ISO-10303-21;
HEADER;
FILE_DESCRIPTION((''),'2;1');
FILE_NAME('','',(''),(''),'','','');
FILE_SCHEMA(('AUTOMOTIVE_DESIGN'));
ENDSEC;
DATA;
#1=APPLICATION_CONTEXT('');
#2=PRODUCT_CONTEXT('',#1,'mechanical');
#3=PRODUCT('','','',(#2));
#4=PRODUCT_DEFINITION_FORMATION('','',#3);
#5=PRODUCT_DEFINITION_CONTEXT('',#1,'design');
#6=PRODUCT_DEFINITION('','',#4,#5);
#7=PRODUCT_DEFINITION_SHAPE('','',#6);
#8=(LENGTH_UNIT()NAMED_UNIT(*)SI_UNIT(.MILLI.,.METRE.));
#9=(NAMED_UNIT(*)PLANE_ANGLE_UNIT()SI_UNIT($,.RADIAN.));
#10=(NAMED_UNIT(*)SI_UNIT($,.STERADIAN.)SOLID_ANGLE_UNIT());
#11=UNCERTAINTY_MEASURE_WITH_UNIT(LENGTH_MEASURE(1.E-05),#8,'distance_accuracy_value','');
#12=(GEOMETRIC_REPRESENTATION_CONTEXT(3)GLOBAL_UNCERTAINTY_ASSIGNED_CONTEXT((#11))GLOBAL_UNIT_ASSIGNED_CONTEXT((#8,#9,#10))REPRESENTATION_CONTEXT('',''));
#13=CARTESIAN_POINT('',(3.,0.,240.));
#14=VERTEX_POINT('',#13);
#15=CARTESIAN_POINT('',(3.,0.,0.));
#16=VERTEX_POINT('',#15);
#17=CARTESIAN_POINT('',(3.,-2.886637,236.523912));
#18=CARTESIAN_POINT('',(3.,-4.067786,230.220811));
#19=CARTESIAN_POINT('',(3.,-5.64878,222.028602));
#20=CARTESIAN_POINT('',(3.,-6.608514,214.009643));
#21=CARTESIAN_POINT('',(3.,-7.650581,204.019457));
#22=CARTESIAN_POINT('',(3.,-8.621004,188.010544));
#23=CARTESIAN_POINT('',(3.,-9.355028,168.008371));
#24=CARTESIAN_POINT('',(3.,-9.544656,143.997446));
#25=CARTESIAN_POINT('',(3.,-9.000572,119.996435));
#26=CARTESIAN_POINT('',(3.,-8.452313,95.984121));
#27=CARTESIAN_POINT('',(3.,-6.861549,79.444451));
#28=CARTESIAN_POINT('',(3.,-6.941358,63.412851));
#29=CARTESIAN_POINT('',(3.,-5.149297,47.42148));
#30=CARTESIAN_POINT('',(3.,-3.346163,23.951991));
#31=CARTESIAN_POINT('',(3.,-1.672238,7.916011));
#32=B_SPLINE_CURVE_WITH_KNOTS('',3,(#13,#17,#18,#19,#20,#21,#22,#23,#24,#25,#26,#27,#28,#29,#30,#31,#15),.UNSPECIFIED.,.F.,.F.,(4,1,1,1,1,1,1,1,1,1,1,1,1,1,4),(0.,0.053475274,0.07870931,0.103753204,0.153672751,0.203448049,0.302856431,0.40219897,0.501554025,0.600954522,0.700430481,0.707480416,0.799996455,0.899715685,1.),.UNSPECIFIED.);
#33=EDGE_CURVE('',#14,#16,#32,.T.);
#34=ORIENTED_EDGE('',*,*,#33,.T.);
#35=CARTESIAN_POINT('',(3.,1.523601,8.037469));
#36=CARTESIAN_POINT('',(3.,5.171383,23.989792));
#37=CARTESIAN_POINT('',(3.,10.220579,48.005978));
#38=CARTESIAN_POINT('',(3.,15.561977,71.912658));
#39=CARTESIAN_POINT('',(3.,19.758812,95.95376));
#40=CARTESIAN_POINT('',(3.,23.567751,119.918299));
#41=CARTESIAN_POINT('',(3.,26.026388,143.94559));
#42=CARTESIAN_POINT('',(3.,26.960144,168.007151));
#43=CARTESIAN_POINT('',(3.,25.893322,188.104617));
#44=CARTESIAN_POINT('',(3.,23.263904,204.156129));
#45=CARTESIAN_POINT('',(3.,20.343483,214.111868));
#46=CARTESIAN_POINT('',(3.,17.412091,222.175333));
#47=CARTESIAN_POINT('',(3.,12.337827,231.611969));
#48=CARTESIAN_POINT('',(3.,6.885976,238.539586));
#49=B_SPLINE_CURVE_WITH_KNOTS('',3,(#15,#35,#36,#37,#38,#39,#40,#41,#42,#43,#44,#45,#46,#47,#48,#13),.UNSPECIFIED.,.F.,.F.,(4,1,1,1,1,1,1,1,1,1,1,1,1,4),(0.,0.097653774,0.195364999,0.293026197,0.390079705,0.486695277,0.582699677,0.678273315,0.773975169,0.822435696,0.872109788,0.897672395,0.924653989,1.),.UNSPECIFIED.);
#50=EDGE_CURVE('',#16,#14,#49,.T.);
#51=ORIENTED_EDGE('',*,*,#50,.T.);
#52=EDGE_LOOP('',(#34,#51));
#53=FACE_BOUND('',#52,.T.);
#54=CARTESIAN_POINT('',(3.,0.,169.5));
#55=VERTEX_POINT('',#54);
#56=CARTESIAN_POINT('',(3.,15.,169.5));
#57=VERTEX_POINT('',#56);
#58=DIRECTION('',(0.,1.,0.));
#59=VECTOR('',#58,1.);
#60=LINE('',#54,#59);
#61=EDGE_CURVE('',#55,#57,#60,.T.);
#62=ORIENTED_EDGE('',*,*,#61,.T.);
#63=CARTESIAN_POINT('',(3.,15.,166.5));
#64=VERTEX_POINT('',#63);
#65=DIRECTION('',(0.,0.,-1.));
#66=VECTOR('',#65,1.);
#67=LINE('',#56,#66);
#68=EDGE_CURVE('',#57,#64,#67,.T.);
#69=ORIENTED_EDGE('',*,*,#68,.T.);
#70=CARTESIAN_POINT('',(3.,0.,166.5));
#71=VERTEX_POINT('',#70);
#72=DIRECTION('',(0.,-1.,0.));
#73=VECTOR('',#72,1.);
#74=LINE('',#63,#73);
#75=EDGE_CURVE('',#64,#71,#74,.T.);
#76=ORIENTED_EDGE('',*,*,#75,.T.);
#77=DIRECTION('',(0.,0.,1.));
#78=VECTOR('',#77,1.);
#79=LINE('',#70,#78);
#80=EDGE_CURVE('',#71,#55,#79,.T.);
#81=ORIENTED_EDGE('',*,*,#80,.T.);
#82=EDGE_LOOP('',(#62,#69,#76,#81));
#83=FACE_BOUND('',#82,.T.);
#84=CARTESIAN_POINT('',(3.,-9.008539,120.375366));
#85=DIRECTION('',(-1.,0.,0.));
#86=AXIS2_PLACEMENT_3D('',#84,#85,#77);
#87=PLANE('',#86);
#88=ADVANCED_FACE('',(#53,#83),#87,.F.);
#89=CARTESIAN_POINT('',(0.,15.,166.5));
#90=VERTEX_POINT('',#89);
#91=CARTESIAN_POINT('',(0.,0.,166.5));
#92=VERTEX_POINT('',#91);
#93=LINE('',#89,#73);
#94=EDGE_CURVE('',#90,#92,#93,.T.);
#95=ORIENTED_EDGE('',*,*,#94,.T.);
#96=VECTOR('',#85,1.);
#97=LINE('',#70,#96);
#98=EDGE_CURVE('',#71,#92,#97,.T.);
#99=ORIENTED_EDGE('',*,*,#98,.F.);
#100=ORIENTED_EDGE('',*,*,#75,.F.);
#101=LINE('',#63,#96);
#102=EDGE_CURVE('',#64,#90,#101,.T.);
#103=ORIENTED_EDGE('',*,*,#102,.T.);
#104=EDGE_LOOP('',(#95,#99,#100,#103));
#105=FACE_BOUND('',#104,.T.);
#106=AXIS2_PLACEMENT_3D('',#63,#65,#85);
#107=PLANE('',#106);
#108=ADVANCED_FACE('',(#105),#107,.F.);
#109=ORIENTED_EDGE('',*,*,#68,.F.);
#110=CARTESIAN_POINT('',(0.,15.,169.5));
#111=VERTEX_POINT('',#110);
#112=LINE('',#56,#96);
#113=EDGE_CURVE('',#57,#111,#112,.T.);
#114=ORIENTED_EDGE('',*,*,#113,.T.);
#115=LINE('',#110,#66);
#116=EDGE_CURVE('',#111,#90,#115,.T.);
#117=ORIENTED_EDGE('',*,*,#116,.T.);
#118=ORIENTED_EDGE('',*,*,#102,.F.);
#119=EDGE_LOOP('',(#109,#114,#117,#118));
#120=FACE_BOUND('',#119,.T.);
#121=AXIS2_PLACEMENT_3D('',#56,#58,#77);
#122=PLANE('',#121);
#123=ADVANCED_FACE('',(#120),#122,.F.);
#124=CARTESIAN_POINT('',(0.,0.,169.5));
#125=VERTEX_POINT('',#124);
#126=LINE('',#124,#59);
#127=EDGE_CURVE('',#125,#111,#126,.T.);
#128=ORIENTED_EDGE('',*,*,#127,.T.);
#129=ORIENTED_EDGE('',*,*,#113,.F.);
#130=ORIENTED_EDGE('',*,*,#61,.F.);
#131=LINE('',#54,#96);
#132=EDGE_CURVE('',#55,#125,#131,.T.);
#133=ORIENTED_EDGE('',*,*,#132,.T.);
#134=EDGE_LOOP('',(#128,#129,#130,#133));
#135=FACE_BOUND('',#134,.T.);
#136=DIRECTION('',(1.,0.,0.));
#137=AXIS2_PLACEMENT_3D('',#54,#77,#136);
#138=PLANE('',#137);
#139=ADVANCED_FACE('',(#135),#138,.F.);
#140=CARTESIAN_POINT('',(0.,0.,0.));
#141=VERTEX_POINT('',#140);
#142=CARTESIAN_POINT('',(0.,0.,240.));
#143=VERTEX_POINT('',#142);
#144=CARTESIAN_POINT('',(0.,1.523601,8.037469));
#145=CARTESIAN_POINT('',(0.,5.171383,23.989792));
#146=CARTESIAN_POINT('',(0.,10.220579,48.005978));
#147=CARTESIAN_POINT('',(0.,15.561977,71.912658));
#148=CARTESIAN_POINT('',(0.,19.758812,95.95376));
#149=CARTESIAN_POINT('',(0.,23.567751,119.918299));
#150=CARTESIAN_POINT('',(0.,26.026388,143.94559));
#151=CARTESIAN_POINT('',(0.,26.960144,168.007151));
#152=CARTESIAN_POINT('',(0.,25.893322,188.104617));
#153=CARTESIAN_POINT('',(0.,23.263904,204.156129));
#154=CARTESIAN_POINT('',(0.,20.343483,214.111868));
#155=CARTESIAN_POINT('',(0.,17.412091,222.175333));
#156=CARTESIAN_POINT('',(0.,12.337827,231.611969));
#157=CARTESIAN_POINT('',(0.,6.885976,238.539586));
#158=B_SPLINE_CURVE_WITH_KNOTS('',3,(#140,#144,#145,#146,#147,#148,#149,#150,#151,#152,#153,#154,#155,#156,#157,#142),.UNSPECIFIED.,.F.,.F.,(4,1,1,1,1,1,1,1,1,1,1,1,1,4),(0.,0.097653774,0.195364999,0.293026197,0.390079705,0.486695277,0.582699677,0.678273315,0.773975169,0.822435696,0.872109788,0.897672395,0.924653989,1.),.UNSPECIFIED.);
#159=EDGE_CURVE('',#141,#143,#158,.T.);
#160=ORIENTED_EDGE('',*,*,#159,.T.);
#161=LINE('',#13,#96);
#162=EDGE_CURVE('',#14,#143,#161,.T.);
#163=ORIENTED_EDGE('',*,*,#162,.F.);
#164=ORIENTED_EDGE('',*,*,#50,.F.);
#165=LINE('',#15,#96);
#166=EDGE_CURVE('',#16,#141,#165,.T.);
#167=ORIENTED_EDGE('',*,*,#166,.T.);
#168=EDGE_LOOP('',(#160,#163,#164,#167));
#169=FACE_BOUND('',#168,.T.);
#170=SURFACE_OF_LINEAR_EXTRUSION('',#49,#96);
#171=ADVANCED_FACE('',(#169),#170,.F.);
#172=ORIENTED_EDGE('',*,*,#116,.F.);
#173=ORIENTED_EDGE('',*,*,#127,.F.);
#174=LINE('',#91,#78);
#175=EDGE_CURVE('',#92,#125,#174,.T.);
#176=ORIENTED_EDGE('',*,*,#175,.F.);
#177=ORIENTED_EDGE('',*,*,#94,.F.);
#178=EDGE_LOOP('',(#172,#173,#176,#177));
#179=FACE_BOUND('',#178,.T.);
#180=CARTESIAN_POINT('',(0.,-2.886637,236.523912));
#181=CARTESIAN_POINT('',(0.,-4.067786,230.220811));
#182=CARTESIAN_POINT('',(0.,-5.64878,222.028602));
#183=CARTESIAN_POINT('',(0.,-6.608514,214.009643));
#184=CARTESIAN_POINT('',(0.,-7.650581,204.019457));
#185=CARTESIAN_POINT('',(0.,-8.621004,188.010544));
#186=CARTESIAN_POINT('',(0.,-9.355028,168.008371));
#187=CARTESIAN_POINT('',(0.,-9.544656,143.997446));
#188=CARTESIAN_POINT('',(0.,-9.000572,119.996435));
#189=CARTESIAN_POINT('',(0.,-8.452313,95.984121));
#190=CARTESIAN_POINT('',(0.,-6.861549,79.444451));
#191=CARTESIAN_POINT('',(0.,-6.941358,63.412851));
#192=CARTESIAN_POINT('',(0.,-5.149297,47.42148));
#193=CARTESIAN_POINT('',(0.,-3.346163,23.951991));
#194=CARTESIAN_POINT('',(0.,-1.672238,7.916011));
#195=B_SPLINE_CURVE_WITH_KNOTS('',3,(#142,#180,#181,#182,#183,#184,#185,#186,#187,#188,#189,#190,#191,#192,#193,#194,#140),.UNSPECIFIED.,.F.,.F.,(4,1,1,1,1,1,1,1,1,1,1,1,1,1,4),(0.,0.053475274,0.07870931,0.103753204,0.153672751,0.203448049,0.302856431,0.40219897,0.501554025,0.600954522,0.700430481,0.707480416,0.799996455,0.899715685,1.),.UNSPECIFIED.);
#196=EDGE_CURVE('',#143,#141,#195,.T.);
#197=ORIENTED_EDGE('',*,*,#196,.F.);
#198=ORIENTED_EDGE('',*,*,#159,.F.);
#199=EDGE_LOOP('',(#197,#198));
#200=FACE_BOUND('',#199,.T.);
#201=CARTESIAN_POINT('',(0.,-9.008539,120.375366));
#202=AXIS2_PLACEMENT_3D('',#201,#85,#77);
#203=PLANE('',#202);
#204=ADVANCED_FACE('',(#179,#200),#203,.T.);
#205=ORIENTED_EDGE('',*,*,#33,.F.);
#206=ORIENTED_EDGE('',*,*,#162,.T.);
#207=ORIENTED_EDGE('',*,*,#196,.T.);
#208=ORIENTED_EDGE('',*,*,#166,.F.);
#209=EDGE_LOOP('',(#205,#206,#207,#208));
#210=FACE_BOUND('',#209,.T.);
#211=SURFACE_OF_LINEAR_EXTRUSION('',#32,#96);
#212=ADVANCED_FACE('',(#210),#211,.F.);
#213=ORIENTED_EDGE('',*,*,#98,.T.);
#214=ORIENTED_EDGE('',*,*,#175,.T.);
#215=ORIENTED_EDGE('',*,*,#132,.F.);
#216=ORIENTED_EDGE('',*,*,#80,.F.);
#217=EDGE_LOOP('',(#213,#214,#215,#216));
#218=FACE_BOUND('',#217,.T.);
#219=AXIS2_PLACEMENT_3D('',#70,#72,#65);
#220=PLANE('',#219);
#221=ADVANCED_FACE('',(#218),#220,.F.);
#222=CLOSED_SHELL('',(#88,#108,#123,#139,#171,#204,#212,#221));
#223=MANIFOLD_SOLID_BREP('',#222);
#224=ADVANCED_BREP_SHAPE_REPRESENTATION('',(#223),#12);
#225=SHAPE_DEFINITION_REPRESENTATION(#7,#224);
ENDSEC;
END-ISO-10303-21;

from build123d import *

# Parameters (mm, degrees)
EXTRUDE_1_DEPTH     = 3
SKETCH_2_W          = 3
SKETCH_2_H          = 15
CUT_EXTRUDE_1_DEPTH = 3


with BuildPart() as part:
    # Эскиз1 → Бобышка-Вытянуть1 (new body)
    with BuildSketch(Plane(origin=(0, 0, 0), x_dir=(0, 0, -1), z_dir=(1, 0, 0))):
        with BuildLine():
            add(Edge.make_bspline(
                [(-240, 0), (-238.539586148, 6.885975956), (-231.6119689, 12.33782744), (-222.175332595, 17.412091216), (-214.111867769, 20.343482826), (-204.156129061, 23.263904239), (-188.104616678, 25.89332168), (-168.007150597, 26.960143982), (-143.945589986, 26.026388226), (-119.918298994, 23.567750867), (-95.953760008, 19.758812003), (-71.912657951, 15.561977026), (-48.005978392, 10.220578603), (-23.989791717, 5.171383231), (-8.037469261, 1.523600682), (0, 0)],
                knots=[0, 0, 0, 0, 0.075346011, 0.102327605, 0.127890212, 0.177564304, 0.226024831, 0.321726685, 0.417300323, 0.513304723, 0.609920295, 0.706973803, 0.804635001, 0.902346226, 1, 1, 1, 1], degree=3))
            add(Edge.make_bspline(
                [(-240, 0), (-236.52391179, -2.886637123), (-230.220810861, -4.067786061), (-222.028601874, -5.648779907), (-214.009642515, -6.608514015), (-204.019456847, -7.65058139), (-188.010543644, -8.621004369), (-168.008371033, -9.355028053), (-143.997445941, -9.544655848), (-119.996434598, -9.000571646), (-95.984120714, -8.452313319), (-79.444451482, -6.861549256), (-63.412851028, -6.941357818), (-47.421480018, -5.149296578), (-23.951991061, -3.34616289), (-7.916011456, -1.672238148), (0, 0)],
                knots=[0, 0, 0, 0, 0.053475274, 0.07870931, 0.103753204, 0.153672751, 0.203448049, 0.302856431, 0.40219897, 0.501554025, 0.600954522, 0.700430481, 0.707480416, 0.799996455, 0.899715685, 1, 1, 1, 1], degree=3))
        make_face()
    extrude(amount=EXTRUDE_1_DEPTH)

    # Эскиз2 → Вырез-Вытянуть1 (cut)
    with BuildSketch(Plane.ZY):
        with Locations((168, 7.5)):
            Rectangle(SKETCH_2_W, SKETCH_2_H)
    extrude(amount=-CUT_EXTRUDE_1_DEPTH, mode=Mode.SUBTRACT)


solid = part.part
